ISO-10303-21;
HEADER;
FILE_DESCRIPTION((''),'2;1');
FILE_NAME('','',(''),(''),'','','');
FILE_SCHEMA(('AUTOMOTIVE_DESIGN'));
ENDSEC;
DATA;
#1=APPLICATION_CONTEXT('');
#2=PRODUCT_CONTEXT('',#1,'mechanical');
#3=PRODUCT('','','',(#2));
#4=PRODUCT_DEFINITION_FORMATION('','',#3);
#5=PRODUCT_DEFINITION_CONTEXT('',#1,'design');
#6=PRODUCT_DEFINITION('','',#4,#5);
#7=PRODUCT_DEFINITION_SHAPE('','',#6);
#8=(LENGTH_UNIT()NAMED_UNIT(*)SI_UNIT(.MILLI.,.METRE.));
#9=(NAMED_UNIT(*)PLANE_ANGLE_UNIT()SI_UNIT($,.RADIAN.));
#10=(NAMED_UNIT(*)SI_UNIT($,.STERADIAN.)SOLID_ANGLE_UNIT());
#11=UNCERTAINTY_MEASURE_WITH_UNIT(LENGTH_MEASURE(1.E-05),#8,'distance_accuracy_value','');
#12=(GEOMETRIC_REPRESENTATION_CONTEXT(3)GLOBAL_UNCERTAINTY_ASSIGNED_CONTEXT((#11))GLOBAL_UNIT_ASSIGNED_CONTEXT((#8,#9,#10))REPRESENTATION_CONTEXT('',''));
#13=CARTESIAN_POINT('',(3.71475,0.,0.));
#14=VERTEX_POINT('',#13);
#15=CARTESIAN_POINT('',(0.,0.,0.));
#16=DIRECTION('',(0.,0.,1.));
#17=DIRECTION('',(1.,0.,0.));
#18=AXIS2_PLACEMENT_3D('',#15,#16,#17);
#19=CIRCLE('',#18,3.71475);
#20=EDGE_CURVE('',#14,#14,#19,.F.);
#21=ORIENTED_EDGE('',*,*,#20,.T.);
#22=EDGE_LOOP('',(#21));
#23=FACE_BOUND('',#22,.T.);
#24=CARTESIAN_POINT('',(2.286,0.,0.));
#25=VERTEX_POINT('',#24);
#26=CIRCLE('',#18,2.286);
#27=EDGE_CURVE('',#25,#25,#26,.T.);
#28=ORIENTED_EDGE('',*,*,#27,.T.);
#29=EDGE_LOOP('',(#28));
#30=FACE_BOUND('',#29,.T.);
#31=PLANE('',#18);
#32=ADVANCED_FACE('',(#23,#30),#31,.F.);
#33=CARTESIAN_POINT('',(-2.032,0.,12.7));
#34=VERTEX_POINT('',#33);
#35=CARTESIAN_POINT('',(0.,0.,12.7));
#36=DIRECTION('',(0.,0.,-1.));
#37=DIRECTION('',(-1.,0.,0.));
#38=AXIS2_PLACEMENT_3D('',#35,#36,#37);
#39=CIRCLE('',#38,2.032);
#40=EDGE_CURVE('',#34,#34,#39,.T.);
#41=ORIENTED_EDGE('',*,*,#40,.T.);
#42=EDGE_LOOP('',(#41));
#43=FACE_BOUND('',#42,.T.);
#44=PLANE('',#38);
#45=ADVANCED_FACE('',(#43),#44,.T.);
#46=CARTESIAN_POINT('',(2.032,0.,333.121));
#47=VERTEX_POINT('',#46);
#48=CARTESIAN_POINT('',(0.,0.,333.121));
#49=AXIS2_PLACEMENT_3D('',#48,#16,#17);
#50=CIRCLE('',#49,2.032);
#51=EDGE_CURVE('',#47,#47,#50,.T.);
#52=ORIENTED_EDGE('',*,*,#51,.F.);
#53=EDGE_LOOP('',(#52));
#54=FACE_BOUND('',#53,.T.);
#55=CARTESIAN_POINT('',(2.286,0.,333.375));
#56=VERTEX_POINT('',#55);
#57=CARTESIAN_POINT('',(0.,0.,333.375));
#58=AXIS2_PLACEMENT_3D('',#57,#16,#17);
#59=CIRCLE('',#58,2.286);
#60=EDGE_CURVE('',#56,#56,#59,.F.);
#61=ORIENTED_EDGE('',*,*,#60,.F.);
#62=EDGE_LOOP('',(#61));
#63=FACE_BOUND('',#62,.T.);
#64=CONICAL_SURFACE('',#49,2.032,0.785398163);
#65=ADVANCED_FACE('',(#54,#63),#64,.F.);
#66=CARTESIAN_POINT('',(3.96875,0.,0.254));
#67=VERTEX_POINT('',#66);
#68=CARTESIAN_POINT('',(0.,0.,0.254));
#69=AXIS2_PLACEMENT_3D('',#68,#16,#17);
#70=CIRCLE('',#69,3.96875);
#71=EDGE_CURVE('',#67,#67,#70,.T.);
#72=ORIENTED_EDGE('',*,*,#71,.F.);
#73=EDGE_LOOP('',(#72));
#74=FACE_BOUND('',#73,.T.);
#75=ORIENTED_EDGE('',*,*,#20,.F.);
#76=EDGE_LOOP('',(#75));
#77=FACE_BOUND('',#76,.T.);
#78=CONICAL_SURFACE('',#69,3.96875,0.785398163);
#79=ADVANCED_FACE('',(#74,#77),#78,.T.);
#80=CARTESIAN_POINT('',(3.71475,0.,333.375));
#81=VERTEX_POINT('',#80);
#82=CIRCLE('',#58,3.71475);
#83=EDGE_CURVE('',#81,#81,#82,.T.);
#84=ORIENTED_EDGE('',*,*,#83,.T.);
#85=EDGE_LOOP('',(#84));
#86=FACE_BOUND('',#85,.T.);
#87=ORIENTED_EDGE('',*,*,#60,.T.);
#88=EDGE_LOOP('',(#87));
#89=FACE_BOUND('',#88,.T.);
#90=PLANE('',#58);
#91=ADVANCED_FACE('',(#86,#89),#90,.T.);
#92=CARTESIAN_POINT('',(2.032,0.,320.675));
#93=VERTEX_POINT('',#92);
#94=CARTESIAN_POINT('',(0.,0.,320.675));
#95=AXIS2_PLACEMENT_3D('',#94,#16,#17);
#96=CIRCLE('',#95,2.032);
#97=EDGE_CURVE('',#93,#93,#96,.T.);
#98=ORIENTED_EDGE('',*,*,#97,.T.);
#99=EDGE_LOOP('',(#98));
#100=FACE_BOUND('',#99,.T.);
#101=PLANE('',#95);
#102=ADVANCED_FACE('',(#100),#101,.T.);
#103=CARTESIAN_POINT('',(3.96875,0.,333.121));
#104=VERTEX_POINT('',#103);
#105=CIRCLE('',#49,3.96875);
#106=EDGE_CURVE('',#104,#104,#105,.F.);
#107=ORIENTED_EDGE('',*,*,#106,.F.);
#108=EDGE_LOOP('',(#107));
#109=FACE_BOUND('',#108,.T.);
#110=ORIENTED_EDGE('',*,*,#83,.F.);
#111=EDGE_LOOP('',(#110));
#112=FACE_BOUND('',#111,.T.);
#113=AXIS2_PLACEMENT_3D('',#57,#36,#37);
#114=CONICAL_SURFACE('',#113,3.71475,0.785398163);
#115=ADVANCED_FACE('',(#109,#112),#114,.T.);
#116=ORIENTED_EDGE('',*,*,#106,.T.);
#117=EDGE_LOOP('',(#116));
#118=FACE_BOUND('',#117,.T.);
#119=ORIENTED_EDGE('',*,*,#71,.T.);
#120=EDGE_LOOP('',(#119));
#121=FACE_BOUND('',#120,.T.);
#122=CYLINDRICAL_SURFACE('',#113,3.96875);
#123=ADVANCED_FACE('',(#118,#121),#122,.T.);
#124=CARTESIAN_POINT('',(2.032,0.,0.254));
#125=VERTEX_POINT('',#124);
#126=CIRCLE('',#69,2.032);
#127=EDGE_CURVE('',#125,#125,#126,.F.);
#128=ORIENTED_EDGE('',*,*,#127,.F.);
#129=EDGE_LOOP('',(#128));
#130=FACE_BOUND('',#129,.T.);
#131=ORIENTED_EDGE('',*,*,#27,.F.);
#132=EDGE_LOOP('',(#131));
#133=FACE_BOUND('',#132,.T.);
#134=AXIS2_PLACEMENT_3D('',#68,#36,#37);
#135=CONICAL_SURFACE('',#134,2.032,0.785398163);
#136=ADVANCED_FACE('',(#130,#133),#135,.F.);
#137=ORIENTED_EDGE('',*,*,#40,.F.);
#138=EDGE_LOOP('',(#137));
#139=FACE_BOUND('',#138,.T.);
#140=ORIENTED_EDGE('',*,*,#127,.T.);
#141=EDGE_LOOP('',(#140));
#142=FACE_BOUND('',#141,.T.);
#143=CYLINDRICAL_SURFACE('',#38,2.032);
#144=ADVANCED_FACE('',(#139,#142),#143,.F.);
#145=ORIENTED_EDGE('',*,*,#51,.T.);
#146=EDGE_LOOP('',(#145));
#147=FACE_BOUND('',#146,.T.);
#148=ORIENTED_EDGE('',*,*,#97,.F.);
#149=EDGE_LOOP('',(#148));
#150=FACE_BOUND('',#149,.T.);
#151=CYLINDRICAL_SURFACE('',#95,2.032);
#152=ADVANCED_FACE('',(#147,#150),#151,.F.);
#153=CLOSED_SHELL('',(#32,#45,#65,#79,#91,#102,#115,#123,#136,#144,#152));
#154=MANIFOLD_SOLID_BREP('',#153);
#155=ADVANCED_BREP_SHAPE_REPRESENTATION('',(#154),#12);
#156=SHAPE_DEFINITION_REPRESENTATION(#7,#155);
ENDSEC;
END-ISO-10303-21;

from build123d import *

# Parameters (mm, degrees)
SKETCH1_R           = 3.96875
BOSS_EXTRUDE1_DEPTH = 333.375
SKETCH2_R           = 2.032
CUT_EXTRUDE1_DEPTH  = 12.7
CUT_EXTRUDE2_START  = -12.7
SKETCH3_R           = 2.032
CUT_EXTRUDE2_DEPTH  = 12.7
CHAMFER1_SIZE       = 0.254


with BuildPart() as part:
    # Sketch1 → Boss-Extrude1 (new body)
    with BuildSketch(Plane.XY):
        Circle(SKETCH1_R)
    extrude(amount=BOSS_EXTRUDE1_DEPTH)

    # Sketch2 → Cut-Extrude1 (cut)
    with BuildSketch(Plane.XY.offset(333.375)):
        Circle(SKETCH2_R)
    extrude(amount=-CUT_EXTRUDE1_DEPTH, mode=Mode.SUBTRACT)

    # Sketch3 → Cut-Extrude2 (cut)
    with BuildSketch(Plane(origin=(0, 0, 0), x_dir=(-1, 0, 0), z_dir=(0, 0, -1)).offset(CUT_EXTRUDE2_START)):
        with Locations(Location((0, 0, 0), (0, 0, 180))):
            Circle(SKETCH3_R)
    extrude(amount=CUT_EXTRUDE2_DEPTH, mode=Mode.SUBTRACT)

    # Chamfer1
    chamfer1_edges = [part.edges().sort_by_distance(p)[0] for p in [
        (-2.032, 0, 0),
        (-3.96875, 0, 0),
        (-3.96875, 0, 333.375),
        (-2.032, 0, 333.375),
    ]]
    chamfer(chamfer1_edges, length=CHAMFER1_SIZE)


solid = part.part
